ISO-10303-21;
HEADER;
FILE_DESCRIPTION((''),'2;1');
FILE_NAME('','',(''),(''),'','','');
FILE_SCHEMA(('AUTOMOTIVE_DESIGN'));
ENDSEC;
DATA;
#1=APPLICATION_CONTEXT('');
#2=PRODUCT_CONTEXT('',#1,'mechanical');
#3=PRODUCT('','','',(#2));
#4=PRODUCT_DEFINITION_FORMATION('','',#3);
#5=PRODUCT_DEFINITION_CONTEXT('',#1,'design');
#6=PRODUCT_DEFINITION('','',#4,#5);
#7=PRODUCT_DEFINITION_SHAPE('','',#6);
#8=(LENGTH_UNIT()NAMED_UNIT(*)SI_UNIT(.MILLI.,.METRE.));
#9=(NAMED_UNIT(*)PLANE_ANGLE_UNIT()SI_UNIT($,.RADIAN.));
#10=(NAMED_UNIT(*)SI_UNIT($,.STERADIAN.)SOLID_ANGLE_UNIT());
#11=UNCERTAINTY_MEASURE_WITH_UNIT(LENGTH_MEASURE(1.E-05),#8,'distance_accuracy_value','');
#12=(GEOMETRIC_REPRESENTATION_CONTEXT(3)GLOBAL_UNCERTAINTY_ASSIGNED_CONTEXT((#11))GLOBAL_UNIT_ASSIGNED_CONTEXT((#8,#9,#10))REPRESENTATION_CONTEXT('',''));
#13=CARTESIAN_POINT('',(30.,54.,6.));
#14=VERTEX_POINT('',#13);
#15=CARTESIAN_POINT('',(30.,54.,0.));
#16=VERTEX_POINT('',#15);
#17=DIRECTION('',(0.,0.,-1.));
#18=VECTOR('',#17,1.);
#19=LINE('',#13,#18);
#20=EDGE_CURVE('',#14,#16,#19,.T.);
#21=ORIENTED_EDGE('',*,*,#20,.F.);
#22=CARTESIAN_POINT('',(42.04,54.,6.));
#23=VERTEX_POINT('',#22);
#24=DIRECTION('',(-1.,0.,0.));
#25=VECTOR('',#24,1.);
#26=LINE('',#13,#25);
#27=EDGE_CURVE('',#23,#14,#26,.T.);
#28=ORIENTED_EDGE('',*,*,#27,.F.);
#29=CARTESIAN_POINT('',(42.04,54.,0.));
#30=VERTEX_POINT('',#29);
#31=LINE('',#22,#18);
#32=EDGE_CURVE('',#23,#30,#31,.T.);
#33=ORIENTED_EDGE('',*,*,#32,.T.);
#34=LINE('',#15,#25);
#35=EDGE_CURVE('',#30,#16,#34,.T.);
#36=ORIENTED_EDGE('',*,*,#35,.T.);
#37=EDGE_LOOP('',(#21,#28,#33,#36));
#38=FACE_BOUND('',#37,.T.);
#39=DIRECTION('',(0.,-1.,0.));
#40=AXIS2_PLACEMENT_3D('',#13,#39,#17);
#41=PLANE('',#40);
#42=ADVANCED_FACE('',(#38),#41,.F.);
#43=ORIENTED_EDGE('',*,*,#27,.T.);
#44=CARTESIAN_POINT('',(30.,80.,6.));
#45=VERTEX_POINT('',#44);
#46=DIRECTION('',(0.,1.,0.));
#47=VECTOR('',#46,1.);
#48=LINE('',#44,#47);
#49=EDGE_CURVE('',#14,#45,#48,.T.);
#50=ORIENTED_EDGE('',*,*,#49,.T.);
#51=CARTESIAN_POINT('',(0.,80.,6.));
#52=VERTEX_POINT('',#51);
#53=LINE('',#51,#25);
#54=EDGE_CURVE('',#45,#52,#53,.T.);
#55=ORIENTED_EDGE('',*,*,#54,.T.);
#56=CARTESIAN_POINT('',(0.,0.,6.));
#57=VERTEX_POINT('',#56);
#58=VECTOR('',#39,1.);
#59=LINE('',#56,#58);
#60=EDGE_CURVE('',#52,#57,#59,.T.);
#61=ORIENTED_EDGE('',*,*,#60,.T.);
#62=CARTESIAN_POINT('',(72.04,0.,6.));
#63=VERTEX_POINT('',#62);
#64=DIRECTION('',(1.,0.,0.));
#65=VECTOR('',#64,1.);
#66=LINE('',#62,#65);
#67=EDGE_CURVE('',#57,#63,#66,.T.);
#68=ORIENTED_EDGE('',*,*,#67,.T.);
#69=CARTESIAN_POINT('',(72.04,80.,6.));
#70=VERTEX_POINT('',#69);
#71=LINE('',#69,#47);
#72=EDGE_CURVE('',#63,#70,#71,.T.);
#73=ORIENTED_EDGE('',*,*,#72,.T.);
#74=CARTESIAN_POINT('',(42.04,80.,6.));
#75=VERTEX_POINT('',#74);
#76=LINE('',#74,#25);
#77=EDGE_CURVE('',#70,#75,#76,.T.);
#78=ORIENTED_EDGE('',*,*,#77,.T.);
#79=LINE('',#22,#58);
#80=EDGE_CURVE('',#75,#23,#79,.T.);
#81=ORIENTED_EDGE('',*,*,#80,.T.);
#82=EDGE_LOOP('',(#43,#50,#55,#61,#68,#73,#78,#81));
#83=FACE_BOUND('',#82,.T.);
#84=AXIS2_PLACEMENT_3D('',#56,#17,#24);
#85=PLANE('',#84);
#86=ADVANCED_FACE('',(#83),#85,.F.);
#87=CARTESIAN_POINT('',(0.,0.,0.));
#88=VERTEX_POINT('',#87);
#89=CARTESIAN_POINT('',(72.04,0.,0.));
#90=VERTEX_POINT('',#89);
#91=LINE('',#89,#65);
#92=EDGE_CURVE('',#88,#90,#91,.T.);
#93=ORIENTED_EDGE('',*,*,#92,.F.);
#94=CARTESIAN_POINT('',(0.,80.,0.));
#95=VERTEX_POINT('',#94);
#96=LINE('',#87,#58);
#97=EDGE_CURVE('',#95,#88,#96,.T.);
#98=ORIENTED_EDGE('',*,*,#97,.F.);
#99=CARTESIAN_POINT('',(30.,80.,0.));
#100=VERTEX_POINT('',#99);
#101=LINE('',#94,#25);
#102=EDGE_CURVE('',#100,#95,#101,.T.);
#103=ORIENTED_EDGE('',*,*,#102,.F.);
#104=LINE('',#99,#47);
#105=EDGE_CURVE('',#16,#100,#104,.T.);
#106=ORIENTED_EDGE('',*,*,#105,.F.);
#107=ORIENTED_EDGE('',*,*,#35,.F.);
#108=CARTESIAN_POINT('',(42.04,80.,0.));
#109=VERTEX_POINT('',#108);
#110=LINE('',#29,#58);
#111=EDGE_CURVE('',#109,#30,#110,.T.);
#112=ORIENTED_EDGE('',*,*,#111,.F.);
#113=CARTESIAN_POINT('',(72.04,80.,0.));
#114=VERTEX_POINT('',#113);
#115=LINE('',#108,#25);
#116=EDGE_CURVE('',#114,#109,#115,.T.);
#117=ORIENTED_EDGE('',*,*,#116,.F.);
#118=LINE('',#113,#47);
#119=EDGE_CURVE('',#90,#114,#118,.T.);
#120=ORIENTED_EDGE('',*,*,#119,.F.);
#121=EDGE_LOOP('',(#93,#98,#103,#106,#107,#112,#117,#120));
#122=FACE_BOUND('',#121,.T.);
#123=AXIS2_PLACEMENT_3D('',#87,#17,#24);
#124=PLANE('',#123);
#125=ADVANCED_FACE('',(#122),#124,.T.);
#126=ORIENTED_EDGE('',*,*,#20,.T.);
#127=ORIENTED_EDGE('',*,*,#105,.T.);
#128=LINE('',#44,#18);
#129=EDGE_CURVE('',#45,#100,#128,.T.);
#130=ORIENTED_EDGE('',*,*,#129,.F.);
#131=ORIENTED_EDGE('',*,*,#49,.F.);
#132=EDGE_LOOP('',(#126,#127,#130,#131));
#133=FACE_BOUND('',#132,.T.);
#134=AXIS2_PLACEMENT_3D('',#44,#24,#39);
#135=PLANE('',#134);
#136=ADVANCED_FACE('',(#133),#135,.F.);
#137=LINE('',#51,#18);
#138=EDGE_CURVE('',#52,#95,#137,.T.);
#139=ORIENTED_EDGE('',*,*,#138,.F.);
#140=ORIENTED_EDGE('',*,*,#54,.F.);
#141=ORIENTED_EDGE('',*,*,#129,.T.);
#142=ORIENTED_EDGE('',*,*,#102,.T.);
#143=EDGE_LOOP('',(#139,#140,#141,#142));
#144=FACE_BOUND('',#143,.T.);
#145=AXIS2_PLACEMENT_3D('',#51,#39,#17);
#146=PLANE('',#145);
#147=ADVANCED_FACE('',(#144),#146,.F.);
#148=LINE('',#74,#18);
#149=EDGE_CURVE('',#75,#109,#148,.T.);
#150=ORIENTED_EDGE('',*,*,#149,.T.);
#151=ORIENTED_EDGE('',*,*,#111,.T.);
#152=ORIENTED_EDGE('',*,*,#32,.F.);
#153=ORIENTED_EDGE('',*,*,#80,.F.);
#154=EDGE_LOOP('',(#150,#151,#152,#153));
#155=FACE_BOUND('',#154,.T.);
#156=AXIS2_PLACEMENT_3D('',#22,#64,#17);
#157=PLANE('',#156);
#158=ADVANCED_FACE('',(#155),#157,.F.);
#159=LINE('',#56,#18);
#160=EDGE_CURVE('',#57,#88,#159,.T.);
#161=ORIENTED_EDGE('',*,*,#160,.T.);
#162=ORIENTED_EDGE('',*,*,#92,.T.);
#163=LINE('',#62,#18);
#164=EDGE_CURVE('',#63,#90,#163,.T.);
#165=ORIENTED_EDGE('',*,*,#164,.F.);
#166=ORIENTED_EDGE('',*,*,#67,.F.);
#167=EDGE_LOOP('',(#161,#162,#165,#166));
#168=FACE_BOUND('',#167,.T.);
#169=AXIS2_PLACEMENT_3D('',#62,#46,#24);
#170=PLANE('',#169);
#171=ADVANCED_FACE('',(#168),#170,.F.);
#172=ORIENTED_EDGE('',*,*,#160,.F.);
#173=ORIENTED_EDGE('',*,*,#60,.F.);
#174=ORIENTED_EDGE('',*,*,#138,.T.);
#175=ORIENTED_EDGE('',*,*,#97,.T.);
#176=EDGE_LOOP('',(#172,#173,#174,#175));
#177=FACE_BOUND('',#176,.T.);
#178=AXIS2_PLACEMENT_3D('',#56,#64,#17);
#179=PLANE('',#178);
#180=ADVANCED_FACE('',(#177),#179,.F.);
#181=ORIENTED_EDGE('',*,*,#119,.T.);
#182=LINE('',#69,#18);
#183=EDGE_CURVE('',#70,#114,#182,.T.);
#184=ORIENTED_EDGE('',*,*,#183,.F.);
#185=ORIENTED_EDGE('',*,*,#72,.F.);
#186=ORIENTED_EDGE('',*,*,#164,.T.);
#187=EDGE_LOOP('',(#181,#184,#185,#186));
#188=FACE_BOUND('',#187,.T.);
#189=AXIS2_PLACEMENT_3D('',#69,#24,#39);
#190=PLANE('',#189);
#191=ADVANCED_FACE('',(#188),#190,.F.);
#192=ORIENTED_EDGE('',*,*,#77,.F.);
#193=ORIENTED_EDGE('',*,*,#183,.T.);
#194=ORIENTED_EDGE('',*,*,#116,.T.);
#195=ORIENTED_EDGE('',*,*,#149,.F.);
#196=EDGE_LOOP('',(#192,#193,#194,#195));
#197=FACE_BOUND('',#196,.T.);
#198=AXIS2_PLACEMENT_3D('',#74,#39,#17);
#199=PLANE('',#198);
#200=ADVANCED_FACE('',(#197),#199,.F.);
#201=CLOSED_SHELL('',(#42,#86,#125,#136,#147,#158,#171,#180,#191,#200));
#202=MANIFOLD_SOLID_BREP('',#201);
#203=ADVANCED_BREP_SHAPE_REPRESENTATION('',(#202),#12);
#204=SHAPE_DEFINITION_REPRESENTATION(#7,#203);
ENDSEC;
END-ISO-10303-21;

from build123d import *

# Parameters (mm, degrees)
BOSS_EXTRUDE1_DEPTH = 6


with BuildPart() as part:
    # Sketch1 → Boss-Extrude1 (new body)
    with BuildSketch(Plane.XY):
        Polygon((0, 0), (0, 80), (30, 80), (30, 54), (42.04, 54), (42.04, 80), (72.04, 80), (72.04, 0), align=None)
    extrude(amount=BOSS_EXTRUDE1_DEPTH)


solid = part.part
